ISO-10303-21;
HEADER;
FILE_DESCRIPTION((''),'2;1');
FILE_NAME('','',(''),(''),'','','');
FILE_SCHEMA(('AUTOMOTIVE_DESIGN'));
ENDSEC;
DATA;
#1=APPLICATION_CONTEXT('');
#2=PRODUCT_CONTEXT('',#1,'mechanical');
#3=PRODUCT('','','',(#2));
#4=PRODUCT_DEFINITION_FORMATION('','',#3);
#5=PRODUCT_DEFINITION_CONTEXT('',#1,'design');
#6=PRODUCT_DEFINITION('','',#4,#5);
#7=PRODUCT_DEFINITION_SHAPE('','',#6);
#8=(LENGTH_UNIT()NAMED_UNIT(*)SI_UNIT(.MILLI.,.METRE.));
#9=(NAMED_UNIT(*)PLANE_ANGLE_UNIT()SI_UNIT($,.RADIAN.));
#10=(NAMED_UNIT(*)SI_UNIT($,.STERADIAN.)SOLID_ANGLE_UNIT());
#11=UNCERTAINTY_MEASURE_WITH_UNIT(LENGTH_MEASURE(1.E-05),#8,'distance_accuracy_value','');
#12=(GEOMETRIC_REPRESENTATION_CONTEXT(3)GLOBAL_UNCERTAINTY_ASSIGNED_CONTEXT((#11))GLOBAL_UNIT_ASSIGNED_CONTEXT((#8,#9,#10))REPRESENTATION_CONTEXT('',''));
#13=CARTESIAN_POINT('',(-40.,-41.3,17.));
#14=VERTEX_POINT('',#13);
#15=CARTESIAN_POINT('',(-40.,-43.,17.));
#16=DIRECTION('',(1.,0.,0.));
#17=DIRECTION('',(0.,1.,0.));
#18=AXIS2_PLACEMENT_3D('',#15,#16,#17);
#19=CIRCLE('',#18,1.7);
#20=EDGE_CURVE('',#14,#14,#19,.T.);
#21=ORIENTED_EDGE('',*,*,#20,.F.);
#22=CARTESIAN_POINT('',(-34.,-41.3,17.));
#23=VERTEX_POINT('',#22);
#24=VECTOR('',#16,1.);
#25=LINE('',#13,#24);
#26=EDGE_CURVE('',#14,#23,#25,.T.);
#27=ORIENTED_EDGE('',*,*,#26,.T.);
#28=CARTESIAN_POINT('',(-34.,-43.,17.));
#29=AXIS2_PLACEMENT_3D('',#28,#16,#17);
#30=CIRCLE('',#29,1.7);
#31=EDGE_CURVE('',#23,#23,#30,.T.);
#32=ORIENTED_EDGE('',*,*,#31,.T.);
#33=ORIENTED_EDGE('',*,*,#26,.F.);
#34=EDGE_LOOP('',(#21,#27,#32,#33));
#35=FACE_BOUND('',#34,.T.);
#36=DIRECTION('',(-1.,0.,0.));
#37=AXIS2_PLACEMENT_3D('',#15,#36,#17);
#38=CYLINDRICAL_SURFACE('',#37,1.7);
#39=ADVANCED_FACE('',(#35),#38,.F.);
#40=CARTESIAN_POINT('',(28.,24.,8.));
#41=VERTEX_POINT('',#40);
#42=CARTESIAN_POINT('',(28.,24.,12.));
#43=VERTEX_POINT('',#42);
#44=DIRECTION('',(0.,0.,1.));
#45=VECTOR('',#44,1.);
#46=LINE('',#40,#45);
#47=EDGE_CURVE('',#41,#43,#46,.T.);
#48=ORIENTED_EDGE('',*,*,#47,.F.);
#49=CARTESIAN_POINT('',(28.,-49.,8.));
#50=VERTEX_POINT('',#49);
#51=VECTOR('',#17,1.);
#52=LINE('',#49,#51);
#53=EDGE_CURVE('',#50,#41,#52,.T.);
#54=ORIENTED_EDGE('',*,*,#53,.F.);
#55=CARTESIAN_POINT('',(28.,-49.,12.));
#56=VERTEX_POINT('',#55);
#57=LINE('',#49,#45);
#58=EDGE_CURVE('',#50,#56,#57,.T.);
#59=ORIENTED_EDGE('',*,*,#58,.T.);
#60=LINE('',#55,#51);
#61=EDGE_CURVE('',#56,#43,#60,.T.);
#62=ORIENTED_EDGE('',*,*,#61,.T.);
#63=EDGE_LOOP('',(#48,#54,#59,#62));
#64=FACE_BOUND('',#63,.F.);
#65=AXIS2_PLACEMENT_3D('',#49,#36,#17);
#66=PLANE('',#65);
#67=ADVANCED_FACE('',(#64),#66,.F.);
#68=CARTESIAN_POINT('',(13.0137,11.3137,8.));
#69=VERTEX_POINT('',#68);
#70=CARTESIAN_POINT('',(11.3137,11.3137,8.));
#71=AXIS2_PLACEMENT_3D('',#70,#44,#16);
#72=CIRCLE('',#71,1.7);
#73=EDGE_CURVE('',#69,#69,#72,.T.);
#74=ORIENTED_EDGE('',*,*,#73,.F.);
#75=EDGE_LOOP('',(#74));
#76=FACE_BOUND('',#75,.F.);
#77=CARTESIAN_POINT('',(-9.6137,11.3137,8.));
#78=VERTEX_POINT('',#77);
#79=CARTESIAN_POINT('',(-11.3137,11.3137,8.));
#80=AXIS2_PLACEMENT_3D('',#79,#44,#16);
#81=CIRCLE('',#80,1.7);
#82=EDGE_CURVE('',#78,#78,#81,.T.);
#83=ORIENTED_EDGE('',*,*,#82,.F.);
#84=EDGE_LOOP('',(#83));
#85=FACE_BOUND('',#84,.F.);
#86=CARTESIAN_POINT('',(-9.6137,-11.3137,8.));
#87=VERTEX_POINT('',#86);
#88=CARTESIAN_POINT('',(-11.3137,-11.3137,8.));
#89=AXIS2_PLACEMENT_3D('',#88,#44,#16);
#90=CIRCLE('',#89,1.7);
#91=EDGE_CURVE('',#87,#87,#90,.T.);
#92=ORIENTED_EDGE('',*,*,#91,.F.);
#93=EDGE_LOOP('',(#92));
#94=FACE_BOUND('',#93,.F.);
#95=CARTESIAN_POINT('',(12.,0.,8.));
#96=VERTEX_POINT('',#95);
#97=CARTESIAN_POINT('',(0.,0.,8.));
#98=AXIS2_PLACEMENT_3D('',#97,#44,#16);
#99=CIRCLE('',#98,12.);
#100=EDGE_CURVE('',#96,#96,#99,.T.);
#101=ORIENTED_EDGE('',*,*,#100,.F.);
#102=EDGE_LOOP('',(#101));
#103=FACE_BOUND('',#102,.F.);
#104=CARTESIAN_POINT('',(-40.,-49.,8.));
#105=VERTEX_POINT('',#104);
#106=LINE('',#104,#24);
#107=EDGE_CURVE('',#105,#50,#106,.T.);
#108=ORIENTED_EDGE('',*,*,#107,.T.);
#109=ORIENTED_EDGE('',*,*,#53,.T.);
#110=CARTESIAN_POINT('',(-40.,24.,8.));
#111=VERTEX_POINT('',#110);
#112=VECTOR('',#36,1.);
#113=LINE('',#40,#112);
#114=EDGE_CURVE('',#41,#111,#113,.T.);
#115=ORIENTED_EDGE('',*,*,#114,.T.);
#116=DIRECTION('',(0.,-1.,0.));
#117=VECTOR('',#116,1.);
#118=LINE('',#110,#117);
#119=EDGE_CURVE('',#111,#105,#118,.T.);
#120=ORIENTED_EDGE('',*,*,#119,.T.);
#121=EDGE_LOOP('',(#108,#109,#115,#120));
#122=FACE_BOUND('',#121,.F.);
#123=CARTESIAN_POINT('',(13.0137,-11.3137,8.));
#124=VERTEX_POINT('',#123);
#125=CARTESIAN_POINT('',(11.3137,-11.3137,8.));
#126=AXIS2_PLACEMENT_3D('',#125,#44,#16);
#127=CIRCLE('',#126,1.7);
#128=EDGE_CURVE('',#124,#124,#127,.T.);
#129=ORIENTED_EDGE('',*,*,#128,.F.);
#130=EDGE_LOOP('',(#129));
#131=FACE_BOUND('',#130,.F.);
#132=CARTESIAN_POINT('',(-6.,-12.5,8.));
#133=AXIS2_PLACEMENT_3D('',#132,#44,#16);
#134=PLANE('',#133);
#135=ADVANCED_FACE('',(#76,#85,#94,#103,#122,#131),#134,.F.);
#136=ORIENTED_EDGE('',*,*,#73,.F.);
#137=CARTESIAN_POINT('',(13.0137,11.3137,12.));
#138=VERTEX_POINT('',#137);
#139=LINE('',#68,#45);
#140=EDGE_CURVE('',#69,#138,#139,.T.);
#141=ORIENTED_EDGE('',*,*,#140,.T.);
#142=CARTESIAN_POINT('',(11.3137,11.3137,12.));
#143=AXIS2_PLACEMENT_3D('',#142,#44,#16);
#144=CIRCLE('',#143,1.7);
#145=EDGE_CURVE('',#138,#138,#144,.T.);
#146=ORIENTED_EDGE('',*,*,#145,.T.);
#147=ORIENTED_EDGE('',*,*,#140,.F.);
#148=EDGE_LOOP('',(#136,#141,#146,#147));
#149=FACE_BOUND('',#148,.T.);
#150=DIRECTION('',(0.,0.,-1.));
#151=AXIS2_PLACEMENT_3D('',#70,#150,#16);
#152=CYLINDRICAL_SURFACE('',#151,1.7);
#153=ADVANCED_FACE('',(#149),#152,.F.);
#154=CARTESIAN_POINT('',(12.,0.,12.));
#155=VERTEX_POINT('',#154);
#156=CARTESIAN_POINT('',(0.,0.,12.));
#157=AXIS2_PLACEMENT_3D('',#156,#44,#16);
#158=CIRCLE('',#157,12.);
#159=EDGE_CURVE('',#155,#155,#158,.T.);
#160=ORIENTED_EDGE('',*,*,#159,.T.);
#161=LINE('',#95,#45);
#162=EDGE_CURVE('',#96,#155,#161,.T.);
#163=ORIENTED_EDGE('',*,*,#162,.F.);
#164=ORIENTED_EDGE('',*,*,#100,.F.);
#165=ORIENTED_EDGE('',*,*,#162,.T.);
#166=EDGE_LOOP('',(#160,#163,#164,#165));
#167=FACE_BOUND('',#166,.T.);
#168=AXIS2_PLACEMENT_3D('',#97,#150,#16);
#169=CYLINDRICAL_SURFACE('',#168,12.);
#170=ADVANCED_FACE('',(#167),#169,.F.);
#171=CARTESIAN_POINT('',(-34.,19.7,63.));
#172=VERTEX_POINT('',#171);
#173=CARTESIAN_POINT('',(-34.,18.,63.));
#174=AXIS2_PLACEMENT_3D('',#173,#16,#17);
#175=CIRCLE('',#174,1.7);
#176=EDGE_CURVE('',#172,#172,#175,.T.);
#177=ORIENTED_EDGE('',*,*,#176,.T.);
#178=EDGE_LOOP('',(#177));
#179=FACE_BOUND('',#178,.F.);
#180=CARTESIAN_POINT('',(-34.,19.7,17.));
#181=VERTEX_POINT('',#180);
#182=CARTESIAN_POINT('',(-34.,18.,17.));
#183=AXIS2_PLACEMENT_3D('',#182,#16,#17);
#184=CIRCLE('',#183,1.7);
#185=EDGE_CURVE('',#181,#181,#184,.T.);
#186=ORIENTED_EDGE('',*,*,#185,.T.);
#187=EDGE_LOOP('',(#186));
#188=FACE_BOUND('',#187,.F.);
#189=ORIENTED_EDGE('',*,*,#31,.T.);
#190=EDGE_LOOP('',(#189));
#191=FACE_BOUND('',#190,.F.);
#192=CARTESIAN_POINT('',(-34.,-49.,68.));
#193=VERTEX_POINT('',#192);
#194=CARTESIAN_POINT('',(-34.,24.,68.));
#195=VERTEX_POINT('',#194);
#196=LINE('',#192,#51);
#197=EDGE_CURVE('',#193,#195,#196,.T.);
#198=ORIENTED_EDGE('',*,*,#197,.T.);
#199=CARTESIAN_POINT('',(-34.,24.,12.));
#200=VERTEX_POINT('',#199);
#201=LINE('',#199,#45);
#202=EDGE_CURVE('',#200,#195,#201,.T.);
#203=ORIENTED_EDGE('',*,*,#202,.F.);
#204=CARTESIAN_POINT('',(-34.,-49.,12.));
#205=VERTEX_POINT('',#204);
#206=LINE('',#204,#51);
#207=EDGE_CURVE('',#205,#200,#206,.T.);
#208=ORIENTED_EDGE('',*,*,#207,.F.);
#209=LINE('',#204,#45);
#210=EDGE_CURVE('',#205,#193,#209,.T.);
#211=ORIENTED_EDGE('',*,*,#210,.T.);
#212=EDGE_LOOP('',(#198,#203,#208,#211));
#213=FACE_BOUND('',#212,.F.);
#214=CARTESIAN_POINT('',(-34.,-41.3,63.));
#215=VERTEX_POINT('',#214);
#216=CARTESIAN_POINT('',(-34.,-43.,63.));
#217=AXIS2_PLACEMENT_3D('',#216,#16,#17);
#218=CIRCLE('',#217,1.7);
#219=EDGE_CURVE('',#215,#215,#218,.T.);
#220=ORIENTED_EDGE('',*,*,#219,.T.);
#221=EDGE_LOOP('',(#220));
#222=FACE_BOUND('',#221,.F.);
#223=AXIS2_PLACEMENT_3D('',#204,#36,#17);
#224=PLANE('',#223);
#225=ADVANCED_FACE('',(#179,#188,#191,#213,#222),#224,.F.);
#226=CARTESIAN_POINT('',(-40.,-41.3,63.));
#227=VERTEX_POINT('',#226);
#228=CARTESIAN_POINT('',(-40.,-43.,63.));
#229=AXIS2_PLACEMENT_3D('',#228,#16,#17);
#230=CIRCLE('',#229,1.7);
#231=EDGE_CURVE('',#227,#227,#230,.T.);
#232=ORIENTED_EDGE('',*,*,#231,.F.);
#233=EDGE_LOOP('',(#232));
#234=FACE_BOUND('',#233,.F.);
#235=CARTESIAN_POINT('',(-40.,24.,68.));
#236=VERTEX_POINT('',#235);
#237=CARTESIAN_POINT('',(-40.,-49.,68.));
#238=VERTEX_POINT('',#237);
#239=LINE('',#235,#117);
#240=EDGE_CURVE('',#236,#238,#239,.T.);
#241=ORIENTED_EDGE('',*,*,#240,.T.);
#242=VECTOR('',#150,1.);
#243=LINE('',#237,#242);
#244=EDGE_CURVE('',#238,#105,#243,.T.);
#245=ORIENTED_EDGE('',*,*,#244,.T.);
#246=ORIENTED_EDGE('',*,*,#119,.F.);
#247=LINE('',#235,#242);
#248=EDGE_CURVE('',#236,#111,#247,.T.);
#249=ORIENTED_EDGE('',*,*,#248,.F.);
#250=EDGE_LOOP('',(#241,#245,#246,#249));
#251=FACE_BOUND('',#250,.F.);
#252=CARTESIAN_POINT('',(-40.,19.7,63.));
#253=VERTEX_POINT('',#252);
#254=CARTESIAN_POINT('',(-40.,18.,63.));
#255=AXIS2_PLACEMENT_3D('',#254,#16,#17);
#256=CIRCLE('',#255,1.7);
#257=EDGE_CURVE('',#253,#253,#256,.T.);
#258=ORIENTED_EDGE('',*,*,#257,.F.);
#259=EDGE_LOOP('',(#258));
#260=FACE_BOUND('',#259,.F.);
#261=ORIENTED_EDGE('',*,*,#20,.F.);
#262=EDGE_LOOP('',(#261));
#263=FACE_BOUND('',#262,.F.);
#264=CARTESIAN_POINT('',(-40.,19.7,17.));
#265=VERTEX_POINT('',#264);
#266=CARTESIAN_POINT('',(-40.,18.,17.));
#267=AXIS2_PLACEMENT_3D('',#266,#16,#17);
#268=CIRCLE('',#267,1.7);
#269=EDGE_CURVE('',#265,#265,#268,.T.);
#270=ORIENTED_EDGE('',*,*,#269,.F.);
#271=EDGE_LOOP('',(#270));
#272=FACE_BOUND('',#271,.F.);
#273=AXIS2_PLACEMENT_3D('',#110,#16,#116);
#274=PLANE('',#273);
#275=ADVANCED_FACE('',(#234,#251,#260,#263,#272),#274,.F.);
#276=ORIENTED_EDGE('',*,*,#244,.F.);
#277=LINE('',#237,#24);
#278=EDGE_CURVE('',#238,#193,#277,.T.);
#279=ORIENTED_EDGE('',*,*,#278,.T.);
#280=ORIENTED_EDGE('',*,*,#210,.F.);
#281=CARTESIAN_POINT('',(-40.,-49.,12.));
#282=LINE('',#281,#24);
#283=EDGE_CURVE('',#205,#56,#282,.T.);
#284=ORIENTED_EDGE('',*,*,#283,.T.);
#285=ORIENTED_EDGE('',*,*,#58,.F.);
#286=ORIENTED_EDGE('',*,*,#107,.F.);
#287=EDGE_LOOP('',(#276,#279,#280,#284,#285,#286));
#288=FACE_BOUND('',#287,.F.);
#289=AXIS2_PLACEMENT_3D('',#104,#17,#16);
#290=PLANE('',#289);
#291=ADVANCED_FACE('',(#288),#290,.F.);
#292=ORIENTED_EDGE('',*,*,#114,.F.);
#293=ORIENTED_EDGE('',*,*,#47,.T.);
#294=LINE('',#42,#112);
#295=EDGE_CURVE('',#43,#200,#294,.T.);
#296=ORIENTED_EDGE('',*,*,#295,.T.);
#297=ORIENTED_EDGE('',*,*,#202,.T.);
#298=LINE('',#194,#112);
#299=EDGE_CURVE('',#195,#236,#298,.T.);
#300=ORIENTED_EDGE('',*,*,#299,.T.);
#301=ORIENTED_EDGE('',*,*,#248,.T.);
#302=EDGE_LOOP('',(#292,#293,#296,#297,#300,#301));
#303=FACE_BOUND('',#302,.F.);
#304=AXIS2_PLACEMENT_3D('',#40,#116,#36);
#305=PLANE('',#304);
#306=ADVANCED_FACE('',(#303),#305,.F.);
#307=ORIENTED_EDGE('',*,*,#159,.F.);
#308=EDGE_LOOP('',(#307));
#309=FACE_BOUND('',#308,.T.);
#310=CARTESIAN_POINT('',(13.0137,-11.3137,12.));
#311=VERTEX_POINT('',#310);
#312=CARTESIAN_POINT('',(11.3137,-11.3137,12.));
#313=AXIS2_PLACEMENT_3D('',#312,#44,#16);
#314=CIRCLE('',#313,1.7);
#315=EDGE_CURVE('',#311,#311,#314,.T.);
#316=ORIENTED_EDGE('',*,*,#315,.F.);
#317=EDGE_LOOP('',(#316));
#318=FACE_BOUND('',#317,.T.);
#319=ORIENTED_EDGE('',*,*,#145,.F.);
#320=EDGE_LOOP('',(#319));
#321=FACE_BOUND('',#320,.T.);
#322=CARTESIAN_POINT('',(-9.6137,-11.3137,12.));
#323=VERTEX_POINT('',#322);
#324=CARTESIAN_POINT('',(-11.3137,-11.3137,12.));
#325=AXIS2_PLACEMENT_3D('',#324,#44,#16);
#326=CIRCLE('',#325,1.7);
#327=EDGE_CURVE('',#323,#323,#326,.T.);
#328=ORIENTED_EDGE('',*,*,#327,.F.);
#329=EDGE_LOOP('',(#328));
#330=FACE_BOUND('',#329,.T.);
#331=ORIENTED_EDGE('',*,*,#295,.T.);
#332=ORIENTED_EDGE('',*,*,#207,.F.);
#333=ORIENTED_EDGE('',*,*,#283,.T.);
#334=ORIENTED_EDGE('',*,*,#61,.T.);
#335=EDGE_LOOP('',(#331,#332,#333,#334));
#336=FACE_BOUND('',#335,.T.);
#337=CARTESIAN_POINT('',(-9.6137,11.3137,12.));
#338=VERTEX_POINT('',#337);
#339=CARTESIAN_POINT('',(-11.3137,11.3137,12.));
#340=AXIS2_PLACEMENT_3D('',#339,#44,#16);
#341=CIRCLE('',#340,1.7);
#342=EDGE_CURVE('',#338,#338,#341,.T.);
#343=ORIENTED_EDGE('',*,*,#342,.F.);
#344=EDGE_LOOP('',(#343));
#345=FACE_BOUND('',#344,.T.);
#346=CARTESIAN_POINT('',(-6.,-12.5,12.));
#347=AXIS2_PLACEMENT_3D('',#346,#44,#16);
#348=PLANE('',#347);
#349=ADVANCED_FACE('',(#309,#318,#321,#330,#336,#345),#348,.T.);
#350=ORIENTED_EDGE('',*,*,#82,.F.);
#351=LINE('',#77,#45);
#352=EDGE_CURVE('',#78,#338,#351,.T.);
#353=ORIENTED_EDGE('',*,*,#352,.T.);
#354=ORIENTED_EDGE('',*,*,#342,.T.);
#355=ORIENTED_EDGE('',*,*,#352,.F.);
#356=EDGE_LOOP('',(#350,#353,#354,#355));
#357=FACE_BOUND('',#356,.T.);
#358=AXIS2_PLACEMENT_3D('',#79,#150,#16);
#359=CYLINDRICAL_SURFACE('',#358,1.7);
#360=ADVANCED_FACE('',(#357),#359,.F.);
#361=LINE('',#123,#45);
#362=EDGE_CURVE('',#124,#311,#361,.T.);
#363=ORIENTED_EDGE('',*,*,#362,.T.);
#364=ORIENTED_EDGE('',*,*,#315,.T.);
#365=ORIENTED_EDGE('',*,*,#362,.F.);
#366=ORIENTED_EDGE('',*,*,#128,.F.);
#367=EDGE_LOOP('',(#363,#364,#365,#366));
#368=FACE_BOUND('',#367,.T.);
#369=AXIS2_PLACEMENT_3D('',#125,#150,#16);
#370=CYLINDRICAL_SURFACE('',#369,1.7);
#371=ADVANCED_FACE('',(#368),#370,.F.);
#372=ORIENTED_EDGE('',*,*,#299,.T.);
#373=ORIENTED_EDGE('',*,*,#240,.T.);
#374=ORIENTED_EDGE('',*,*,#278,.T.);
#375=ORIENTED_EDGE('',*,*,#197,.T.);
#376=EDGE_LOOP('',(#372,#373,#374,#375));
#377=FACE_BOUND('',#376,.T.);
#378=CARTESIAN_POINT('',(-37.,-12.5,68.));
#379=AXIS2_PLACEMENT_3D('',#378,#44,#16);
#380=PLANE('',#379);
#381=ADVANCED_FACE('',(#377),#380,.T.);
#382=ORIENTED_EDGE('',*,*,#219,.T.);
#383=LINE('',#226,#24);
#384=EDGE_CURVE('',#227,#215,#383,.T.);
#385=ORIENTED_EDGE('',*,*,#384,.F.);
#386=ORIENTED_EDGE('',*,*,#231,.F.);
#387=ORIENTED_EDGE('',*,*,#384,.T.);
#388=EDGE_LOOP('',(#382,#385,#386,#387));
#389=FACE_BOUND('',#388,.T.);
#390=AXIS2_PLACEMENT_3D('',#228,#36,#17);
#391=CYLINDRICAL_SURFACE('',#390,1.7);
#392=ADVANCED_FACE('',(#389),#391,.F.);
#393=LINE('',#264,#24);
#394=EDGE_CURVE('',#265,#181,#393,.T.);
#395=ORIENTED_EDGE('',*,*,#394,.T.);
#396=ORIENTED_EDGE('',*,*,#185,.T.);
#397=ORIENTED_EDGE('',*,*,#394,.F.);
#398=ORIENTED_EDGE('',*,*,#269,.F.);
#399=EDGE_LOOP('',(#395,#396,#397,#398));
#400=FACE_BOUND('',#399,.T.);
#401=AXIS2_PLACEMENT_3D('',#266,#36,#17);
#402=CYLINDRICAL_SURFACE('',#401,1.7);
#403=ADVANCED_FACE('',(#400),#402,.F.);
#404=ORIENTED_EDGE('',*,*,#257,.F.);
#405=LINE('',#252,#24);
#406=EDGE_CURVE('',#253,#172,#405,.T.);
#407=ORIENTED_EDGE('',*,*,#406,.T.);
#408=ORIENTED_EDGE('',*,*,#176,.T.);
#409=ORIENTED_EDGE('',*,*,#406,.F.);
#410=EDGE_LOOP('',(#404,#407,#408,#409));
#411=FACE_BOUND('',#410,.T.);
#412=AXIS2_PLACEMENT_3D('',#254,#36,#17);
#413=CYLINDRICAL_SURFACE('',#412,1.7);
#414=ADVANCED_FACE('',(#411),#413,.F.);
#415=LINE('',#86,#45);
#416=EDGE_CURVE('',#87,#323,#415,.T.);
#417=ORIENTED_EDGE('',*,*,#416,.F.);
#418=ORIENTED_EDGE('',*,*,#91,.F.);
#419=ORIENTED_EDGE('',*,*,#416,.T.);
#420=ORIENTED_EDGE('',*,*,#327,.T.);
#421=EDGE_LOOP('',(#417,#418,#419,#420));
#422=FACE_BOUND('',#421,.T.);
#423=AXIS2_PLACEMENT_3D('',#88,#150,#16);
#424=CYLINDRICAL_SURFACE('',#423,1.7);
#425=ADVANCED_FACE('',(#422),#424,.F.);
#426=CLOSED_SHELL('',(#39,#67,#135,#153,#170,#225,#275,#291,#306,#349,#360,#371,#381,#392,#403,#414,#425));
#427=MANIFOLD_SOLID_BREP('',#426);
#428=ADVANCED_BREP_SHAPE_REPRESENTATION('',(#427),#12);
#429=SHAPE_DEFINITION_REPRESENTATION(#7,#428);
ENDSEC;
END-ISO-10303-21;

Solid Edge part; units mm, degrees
sketch "Sketch1" plane through (0, 0, 8) normal (0, 0, 1) x (1, 0, 0)
  line L0 (-40, -49) -> (28, -49)
  line L1 (28, -49) -> (28, 24)
  line L2 (28, 24) -> (-40, 24)
  line L3 (-40, 24) -> (-40, -49)
  circle A0 centre (0, 0) radius 12
  circle A1 centre (11.3137, 11.3137) radius 1.7
  circle A2 centre (-11.3137, 11.3137) radius 1.7
  circle A3 centre (-11.3137, -11.3137) radius 1.7
  circle A4 centre (11.3137, -11.3137) radius 1.7
extrude "ExtrudedProtrusion_1" add sketch "Sketch1" along normal blind 4
sketch "Sketch2" plane through (0, 0, 12) normal (0, 0, 1) x (1, 0, 0)
  line L0 (-40, -49) -> (-34, -49)
  line L1 (-34, -49) -> (-34, 24)
  line L2 (-34, 24) -> (-40, 24)
  line L3 (-40, 24) -> (-40, -49)
extrude "ExtrudedProtrusion_2" add sketch "Sketch2" along normal blind 56
sketch "Sketch3" plane through (-40, 0, 0) normal (1, 0, 0) x (0, 1, 0)
  circle A0 centre (-43, 63) radius 1.7
  circle A1 centre (-43, 17) radius 1.7
  circle A2 centre (18, 63) radius 1.7
  circle A3 centre (18, 17) radius 1.7
extrude "ExtrudedCutout_1" cut sketch "Sketch3" along normal blind 6
